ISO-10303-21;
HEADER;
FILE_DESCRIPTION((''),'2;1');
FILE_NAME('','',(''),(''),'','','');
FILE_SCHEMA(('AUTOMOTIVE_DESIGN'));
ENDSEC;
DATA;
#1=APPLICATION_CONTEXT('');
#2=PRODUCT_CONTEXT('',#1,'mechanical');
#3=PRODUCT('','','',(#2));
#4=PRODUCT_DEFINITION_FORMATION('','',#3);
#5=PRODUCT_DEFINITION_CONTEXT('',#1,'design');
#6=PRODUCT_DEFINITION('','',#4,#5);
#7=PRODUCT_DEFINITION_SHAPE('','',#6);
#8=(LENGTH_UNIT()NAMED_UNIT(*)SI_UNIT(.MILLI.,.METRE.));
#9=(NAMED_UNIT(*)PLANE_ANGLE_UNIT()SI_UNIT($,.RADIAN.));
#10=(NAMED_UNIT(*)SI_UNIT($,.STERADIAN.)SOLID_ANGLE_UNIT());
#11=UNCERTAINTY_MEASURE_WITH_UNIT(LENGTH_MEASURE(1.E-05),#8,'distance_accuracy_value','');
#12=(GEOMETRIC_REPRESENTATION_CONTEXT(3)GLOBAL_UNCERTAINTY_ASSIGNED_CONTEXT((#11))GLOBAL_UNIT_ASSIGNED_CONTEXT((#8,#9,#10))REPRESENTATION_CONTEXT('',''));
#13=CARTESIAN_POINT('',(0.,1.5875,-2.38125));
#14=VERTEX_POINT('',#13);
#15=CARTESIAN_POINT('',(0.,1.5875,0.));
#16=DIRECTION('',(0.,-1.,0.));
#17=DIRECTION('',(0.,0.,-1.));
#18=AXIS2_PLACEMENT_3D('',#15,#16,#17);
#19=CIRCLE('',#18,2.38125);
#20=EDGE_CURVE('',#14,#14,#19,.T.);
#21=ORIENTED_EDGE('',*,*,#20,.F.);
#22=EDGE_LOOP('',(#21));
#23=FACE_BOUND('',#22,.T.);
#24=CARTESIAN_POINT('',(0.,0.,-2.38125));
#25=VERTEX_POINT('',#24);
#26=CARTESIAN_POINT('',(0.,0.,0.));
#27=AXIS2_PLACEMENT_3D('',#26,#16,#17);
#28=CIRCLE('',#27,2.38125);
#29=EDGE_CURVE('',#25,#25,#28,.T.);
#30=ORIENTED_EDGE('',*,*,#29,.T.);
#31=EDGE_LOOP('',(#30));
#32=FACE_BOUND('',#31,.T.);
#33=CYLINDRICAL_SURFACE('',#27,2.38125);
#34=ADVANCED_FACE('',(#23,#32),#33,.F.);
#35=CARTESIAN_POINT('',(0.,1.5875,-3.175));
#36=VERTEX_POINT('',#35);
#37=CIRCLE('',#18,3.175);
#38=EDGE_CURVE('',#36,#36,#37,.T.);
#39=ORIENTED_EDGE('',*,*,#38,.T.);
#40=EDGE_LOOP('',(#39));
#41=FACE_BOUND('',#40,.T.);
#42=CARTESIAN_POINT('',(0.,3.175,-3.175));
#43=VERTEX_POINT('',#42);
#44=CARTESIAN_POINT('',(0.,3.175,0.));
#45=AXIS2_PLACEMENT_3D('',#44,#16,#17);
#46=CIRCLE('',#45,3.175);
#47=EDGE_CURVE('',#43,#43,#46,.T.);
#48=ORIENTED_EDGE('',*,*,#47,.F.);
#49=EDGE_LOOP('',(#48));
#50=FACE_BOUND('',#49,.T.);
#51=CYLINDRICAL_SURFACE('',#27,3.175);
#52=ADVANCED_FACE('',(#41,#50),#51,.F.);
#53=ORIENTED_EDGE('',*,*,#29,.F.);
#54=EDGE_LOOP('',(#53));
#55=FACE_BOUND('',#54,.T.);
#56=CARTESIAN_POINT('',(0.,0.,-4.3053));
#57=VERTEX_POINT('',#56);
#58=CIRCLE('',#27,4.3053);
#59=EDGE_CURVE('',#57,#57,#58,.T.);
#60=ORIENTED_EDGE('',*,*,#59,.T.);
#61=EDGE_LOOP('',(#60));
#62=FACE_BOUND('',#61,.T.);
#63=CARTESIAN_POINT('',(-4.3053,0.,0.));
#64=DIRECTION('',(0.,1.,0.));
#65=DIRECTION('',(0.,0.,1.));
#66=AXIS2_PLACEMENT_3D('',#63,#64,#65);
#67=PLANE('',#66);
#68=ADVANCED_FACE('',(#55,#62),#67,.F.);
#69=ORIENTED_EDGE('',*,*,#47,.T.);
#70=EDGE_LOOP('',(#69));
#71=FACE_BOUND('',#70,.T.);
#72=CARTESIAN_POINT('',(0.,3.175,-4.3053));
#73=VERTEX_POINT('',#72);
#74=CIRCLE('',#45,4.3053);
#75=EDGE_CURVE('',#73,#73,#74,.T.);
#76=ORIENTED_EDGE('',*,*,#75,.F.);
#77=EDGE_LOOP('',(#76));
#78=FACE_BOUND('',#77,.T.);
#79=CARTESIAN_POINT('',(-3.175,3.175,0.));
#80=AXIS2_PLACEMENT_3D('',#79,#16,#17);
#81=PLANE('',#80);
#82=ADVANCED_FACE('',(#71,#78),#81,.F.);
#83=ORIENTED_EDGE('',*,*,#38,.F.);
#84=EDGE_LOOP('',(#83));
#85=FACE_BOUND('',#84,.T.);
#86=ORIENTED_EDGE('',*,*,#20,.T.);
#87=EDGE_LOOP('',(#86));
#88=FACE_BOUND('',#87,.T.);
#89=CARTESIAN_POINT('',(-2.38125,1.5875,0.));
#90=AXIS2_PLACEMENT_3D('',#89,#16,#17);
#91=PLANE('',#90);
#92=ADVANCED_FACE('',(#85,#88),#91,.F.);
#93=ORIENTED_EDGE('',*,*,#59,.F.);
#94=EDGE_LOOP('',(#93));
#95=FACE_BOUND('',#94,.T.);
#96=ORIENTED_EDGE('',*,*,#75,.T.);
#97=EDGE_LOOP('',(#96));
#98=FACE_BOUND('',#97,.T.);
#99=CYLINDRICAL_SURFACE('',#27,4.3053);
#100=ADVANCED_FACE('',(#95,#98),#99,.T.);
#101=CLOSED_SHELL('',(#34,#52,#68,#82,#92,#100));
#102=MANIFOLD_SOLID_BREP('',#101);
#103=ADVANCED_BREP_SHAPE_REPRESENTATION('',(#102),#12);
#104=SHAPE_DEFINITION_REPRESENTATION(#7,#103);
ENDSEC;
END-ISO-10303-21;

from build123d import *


with BuildPart() as part:
    # Sketch1 → Revolve1 (revolve)
    with BuildSketch(Plane.XY, mode=Mode.PRIVATE) as revolve1_sk:
        Polygon((-4.3053, 3.175), (-4.3053, 0), (-2.38125, 0), (-2.38125, 1.5875), (-3.175, 1.5875), (-3.175, 3.175), align=None)
    revolve(revolve1_sk.sketch.rotate(Axis((0, 0, 0), (0, 1, 0)), 270), axis=Axis((0, 0, 0), (0, 1, 0)))


solid = part.part
